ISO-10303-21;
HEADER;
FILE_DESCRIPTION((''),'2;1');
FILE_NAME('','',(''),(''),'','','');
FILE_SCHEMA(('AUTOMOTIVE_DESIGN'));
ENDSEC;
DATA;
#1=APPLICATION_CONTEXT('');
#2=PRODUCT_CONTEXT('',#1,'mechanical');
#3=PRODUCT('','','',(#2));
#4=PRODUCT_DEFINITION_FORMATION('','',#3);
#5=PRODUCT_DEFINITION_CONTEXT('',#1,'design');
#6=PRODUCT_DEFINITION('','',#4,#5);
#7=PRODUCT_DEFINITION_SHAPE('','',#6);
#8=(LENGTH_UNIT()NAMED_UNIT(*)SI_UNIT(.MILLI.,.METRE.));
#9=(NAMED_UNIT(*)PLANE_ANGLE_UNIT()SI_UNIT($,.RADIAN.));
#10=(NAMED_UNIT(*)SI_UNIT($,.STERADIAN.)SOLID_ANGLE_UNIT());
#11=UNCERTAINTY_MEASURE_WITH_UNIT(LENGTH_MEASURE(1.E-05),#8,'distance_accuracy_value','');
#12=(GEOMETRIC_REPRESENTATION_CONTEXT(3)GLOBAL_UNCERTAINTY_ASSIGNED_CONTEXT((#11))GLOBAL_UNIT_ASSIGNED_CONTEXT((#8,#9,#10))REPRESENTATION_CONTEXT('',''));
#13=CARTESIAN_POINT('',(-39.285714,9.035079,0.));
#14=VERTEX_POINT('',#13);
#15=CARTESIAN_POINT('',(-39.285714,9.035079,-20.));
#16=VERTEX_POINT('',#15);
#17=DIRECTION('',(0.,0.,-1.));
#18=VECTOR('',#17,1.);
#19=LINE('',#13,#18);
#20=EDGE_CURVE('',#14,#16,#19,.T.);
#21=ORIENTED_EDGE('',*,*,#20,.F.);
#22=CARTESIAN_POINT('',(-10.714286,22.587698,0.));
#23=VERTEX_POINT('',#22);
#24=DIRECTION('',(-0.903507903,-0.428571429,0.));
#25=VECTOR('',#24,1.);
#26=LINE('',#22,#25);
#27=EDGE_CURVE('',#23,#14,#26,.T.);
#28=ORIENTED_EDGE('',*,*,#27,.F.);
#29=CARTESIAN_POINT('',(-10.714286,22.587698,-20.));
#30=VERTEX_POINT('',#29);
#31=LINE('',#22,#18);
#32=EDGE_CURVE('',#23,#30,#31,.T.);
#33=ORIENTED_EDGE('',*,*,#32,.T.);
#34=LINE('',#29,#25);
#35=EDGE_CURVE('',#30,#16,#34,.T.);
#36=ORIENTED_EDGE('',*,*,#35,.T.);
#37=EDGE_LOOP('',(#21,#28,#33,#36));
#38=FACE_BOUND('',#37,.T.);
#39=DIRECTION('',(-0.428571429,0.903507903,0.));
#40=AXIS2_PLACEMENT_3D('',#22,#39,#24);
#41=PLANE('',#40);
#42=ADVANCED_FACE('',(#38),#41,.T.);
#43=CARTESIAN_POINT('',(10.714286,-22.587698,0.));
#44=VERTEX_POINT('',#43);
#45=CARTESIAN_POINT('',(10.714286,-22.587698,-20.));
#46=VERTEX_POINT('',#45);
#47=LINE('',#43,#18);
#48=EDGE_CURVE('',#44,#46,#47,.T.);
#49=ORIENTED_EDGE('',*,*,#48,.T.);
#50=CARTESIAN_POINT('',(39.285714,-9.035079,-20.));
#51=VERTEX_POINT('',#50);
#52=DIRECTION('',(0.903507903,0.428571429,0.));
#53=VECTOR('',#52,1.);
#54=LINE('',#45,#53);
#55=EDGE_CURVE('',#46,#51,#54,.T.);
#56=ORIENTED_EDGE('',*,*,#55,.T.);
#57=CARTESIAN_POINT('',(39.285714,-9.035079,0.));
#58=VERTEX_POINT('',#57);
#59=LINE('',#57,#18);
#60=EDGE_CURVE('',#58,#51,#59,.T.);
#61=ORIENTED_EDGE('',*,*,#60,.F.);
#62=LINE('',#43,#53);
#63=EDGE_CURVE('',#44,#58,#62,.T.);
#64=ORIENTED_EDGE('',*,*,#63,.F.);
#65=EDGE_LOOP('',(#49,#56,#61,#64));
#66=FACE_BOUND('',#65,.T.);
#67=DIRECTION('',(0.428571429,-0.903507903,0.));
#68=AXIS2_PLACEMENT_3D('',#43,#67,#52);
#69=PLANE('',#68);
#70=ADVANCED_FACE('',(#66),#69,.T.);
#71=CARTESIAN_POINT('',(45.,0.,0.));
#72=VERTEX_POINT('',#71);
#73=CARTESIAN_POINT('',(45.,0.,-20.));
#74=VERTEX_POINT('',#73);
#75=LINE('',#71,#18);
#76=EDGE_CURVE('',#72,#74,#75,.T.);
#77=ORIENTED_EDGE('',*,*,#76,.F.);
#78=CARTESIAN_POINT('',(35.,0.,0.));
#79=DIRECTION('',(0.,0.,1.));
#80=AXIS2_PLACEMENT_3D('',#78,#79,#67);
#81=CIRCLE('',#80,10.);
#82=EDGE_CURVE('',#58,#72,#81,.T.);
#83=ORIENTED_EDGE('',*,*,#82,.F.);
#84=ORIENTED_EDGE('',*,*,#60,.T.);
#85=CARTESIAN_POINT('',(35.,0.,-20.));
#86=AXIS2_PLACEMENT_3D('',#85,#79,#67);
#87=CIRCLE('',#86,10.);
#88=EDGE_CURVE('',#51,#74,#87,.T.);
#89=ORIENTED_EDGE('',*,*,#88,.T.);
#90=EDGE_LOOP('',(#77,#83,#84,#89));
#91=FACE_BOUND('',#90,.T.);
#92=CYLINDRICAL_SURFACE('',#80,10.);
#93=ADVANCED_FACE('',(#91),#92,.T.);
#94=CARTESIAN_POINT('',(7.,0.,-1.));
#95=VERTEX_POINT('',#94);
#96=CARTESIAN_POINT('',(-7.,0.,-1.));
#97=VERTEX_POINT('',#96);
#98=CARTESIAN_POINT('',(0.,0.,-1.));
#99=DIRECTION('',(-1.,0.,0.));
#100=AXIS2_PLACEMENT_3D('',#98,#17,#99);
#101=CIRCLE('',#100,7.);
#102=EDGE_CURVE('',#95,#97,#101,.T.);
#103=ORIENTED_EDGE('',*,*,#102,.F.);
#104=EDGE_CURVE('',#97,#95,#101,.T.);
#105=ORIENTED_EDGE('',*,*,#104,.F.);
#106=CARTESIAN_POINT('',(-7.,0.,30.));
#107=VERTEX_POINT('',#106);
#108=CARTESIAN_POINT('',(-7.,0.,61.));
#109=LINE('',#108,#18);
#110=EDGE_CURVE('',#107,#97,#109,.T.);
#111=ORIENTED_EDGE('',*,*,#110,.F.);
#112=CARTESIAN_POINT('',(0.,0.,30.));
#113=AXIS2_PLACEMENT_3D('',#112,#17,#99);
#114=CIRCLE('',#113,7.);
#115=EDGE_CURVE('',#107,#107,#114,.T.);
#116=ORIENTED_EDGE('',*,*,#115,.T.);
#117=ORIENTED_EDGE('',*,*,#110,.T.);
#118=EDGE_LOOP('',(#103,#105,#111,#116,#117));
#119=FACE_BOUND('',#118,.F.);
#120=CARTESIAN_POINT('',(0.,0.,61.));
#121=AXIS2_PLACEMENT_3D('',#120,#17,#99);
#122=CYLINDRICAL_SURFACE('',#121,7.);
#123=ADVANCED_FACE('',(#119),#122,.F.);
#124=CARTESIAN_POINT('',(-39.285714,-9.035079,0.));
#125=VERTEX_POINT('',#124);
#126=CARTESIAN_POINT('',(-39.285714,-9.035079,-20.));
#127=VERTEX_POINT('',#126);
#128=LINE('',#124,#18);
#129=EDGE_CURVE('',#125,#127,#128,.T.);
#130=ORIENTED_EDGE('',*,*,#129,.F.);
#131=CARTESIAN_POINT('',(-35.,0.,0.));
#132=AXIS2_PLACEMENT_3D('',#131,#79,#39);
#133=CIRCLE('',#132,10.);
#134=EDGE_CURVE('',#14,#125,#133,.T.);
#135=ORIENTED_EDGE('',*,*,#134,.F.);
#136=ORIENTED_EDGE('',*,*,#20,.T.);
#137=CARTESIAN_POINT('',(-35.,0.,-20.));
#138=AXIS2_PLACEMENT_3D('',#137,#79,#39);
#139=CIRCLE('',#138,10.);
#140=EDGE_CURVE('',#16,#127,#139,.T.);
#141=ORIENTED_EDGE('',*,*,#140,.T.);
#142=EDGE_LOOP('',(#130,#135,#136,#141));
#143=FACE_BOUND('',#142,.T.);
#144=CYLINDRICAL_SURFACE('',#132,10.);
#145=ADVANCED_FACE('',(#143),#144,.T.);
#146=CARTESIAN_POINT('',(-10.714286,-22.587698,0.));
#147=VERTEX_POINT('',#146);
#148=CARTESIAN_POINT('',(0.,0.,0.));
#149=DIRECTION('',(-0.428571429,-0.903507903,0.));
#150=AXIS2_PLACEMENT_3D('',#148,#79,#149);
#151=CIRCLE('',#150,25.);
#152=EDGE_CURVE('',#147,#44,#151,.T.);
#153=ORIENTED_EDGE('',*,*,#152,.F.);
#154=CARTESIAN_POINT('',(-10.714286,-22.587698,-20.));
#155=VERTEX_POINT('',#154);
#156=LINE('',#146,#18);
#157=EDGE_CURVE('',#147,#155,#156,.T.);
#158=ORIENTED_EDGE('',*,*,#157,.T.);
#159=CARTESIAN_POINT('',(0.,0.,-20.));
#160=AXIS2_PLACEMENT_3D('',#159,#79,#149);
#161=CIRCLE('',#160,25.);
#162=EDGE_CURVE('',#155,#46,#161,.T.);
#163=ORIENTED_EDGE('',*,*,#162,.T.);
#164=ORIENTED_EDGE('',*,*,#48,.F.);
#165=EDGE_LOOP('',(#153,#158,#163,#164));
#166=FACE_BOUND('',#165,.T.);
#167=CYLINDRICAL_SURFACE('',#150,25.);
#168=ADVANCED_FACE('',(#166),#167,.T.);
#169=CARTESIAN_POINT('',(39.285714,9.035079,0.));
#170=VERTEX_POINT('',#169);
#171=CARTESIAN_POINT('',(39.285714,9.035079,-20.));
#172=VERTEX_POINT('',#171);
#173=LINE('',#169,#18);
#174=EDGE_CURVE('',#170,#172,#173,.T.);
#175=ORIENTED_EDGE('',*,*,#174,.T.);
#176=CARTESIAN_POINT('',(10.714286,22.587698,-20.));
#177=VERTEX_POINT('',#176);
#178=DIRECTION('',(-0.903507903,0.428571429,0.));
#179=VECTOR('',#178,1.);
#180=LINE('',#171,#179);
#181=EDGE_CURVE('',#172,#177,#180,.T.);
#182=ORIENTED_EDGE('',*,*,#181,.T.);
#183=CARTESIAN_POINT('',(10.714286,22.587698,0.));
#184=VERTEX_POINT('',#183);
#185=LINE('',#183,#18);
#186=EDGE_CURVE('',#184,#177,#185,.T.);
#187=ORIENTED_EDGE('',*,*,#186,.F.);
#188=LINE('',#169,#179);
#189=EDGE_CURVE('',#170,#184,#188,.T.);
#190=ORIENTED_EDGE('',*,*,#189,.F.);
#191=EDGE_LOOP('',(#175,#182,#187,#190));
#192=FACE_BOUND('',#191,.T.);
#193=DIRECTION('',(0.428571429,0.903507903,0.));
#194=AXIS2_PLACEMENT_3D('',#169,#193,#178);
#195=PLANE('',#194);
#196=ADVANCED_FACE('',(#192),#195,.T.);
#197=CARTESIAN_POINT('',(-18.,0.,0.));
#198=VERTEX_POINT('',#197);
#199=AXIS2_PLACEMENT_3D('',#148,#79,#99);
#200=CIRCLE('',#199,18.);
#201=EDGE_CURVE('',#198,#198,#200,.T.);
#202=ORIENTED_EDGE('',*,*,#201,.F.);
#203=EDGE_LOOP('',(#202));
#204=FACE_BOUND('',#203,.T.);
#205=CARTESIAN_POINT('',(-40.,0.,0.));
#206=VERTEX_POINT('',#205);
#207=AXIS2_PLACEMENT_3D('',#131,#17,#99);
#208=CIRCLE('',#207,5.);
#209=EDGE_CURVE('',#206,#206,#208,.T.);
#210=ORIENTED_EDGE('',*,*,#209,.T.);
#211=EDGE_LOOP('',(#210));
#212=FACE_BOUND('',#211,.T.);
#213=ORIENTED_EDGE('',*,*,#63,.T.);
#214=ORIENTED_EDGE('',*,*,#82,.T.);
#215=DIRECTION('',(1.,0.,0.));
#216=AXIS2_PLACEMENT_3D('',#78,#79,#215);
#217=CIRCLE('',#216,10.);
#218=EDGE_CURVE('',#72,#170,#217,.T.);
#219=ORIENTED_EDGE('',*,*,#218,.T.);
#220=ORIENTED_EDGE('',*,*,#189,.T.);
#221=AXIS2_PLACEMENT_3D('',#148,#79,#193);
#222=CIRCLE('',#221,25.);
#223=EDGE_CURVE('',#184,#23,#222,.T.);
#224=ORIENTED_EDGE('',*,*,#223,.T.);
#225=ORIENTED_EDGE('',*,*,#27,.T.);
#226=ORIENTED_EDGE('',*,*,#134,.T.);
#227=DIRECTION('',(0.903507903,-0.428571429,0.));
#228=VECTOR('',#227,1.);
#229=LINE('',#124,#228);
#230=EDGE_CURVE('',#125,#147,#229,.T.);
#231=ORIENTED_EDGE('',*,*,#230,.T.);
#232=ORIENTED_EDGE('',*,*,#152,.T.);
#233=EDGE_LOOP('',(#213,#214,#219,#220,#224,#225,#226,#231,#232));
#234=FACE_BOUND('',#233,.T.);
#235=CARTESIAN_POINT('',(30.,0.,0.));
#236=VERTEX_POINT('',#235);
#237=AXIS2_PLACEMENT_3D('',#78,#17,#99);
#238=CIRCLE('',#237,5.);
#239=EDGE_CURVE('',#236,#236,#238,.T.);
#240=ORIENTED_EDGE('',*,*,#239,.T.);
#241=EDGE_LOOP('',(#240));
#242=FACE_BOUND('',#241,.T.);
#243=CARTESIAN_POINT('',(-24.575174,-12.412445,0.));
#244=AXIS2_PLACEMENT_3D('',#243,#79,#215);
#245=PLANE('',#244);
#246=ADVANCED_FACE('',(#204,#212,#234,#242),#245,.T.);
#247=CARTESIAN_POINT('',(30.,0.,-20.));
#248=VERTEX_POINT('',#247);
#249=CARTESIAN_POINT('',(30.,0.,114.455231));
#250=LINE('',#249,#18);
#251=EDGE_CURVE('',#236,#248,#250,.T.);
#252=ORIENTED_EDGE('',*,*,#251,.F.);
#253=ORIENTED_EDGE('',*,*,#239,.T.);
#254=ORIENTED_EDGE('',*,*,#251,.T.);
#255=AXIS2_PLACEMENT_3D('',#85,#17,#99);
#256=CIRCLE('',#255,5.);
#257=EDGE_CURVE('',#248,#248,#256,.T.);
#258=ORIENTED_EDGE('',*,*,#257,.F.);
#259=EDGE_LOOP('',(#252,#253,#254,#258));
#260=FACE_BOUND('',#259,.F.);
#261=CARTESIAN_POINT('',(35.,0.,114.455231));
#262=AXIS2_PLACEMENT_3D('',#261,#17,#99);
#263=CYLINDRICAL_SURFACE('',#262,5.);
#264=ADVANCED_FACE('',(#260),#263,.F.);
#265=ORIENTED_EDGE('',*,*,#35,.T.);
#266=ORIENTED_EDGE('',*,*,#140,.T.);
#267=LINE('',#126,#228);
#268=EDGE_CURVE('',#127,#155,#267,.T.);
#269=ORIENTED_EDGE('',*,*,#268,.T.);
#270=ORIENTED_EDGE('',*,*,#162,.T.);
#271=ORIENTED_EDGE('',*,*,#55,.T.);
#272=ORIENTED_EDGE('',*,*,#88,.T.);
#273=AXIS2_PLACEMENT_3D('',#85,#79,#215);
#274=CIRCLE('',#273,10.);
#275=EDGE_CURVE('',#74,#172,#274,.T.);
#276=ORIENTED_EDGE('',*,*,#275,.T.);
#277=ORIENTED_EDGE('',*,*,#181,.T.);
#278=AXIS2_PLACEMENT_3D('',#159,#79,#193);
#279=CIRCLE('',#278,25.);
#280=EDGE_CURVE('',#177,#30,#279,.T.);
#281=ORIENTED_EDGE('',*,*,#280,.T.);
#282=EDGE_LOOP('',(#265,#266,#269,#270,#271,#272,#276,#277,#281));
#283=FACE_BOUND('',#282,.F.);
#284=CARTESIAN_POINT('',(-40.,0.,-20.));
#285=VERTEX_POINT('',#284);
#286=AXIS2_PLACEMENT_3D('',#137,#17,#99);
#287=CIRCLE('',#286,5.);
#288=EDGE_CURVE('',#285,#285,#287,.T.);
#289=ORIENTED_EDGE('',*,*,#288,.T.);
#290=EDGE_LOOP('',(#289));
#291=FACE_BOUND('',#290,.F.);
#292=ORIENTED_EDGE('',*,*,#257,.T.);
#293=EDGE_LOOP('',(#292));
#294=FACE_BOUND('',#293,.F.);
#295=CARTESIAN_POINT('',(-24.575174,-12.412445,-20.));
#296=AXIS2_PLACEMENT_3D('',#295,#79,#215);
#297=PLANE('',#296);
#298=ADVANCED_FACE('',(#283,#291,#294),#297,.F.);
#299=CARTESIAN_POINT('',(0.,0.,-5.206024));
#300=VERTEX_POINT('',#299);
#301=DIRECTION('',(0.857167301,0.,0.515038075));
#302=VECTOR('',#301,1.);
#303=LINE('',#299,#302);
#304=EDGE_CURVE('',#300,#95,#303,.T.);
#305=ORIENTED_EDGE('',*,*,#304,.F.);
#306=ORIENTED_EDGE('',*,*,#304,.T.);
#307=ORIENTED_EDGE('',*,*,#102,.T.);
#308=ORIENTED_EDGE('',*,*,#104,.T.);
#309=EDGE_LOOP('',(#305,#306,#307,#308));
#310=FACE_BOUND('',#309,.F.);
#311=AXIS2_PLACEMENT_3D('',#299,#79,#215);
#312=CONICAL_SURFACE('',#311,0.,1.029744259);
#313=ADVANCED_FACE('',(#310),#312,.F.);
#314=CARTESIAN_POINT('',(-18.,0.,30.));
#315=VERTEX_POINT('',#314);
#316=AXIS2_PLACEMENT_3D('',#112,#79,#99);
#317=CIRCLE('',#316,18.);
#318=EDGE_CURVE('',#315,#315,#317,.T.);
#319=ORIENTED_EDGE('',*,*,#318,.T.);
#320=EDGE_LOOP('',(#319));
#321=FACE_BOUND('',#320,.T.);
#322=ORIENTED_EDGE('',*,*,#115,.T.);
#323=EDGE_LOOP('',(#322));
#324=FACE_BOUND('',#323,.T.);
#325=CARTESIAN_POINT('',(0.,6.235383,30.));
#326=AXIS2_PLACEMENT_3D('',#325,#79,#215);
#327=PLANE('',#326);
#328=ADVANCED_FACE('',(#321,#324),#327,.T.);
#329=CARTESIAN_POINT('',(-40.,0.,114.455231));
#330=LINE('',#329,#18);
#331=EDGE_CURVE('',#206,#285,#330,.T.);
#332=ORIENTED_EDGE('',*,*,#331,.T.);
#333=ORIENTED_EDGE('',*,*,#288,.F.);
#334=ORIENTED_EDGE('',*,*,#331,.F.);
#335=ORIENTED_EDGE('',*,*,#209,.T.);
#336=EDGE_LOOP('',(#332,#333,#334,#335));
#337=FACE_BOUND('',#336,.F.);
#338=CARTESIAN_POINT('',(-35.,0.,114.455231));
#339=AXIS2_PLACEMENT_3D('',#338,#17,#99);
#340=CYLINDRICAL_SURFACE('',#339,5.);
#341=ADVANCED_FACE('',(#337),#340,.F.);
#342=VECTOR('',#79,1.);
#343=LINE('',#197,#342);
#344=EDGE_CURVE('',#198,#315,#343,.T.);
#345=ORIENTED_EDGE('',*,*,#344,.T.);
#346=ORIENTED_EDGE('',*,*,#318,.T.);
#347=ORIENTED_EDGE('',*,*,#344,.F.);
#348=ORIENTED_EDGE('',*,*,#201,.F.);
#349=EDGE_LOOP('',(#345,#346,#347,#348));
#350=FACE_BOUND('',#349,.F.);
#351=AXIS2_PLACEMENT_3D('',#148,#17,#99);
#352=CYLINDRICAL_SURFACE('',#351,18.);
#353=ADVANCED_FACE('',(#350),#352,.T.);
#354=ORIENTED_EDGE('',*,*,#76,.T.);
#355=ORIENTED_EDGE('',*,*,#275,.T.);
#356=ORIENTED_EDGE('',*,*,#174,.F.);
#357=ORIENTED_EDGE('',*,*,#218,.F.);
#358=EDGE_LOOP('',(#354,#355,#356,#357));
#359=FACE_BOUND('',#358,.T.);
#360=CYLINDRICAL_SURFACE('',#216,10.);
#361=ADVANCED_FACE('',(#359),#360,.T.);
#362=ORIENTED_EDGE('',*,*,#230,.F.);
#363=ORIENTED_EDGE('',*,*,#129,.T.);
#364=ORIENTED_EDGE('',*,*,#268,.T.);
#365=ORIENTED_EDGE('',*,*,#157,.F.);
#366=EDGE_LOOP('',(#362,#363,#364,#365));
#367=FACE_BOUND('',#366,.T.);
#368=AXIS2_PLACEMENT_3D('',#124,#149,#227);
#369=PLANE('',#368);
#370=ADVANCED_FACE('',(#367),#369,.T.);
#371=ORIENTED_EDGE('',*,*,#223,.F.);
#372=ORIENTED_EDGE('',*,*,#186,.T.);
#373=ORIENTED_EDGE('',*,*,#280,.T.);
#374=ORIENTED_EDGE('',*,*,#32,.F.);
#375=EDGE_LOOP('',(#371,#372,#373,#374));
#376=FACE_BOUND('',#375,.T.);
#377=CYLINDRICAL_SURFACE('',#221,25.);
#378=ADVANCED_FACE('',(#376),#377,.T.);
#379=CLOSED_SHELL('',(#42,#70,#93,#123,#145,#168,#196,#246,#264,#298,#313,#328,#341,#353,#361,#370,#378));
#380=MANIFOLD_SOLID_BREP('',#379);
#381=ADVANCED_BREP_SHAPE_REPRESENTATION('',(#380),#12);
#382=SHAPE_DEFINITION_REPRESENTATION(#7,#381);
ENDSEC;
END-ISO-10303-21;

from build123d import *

# Parameters (mm, degrees)
F1_DEPTH = 20
F2_DEPTH = 30
F3_D     = 10
F5_D     = 14
F5_DEPTH = 31
F5_TIP   = 4.2060243332


with BuildPart() as f1:
    # F0 (on Top) → F1 (new body)
    with BuildSketch(Plane.XY):
        with BuildLine():
            Line((-39.2857142857, -9.0350790291), (-10.7142857143, -22.5876975726))
            ThreePointArc((-10.7142857143, -22.5876975726), (-21.1288563682, -13.3630620956), (-25, 0))
            ThreePointArc((-25, 0), (-29.6547751618, -8.4515425473), (-39.2857142857, -9.0350790291))
        make_face()
        with BuildLine():
            ThreePointArc((-39.2857142857, -9.0350790291), (-29.6547751618, -8.4515425473), (-25, 0))
            ThreePointArc((-25, 0), (-29.6547751618, 8.4515425473), (-39.2857142857, 9.0350790291))
            ThreePointArc((-39.2857142857, 9.0350790291), (-45, 0), (-39.2857142857, -9.0350790291))
        make_face()
        with BuildLine():
            Line((0, 0), (18, 0))
            ThreePointArc((18, 0), (0, 18), (-18, 0))
            Line((-18, 0), (0, 0))
        make_face()
        with BuildLine():
            ThreePointArc((-18, 0), (0, -18), (18, 0))
            Line((18, 0), (0, 0))
            Line((0, 0), (-18, 0))
        make_face()
        with BuildLine():
            ThreePointArc((10.7142857143, -22.5876975726), (21.1288563682, -13.3630620956), (25, 0))
            Line((25, 0), (18, 0))
            ThreePointArc((18, 0), (0, -18), (-18, 0))
            Line((-18, 0), (-25, 0))
            ThreePointArc((-25, 0), (-21.1288563682, -13.3630620956), (-10.7142857143, -22.5876975726))
            ThreePointArc((-10.7142857143, -22.5876975726), (0, -25), (10.7142857143, -22.5876975726))
        make_face()
        with BuildLine():
            ThreePointArc((39.2857142857, -9.0350790291), (29.6547751618, -8.4515425473), (25, 0))
            ThreePointArc((25, 0), (21.1288563682, -13.3630620956), (10.7142857143, -22.5876975726))
            Line((10.7142857143, -22.5876975726), (39.2857142857, -9.0350790291))
        make_face()
        with BuildLine():
            ThreePointArc((39.2857142857, 9.0350790291), (29.6547751618, 8.4515425473), (25, 0))
            ThreePointArc((25, 0), (29.6547751618, -8.4515425473), (39.2857142857, -9.0350790291))
            ThreePointArc((39.2857142857, -9.0350790291), (43.4515425473, -5.3452248382), (45, 0))
            ThreePointArc((45, 0), (43.4515425473, 5.3452248382), (39.2857142857, 9.0350790291))
        make_face()
        with BuildLine():
            ThreePointArc((10.7142857143, 22.5876975726), (21.1288563682, 13.3630620956), (25, 0))
            ThreePointArc((25, 0), (29.6547751618, 8.4515425473), (39.2857142857, 9.0350790291))
            Line((39.2857142857, 9.0350790291), (10.7142857143, 22.5876975726))
        make_face()
        with BuildLine():
            ThreePointArc((-25, 0), (-21.1288563682, 13.3630620956), (-10.7142857143, 22.5876975726))
            Line((-10.7142857143, 22.5876975726), (-39.2857142857, 9.0350790291))
            ThreePointArc((-39.2857142857, 9.0350790291), (-29.6547751618, 8.4515425473), (-25, 0))
        make_face()
        with BuildLine():
            Line((18, 0), (25, 0))
            ThreePointArc((25, 0), (21.1288563682, 13.3630620956), (10.7142857143, 22.5876975726))
            ThreePointArc((10.7142857143, 22.5876975726), (0, 25), (-10.7142857143, 22.5876975726))
            ThreePointArc((-10.7142857143, 22.5876975726), (-21.1288563682, 13.3630620956), (-25, 0))
            Line((-25, 0), (-18, 0))
            ThreePointArc((-18, 0), (0, 18), (18, 0))
        make_face()
    extrude(amount=-F1_DEPTH)

    # F0 (on Top) → F2 (join)
    with BuildSketch(Plane.XY):
        with BuildLine():
            Line((0, 0), (18, 0))
            ThreePointArc((18, 0), (0, 18), (-18, 0))
            Line((-18, 0), (0, 0))
        make_face()
        with BuildLine():
            ThreePointArc((-18, 0), (0, -18), (18, 0))
            Line((18, 0), (0, 0))
            Line((0, 0), (-18, 0))
        make_face()
    extrude(amount=F2_DEPTH)

    # F3 (through all)
    with Locations(Plane.XY):
        with Locations((-35, 0), (35, 0)):
            Hole(F3_D / 2)

    # F5
    with Locations(Plane.XY.offset(30)):
        with Locations((0, 0)):
            Hole(F5_D / 2, depth=F5_DEPTH)
            with Locations((0, 0, -(F5_DEPTH + F5_TIP / 2))):  # 118° drill point
                Cone(0, F5_D / 2, F5_TIP, mode=Mode.SUBTRACT)


solid = f1.part
